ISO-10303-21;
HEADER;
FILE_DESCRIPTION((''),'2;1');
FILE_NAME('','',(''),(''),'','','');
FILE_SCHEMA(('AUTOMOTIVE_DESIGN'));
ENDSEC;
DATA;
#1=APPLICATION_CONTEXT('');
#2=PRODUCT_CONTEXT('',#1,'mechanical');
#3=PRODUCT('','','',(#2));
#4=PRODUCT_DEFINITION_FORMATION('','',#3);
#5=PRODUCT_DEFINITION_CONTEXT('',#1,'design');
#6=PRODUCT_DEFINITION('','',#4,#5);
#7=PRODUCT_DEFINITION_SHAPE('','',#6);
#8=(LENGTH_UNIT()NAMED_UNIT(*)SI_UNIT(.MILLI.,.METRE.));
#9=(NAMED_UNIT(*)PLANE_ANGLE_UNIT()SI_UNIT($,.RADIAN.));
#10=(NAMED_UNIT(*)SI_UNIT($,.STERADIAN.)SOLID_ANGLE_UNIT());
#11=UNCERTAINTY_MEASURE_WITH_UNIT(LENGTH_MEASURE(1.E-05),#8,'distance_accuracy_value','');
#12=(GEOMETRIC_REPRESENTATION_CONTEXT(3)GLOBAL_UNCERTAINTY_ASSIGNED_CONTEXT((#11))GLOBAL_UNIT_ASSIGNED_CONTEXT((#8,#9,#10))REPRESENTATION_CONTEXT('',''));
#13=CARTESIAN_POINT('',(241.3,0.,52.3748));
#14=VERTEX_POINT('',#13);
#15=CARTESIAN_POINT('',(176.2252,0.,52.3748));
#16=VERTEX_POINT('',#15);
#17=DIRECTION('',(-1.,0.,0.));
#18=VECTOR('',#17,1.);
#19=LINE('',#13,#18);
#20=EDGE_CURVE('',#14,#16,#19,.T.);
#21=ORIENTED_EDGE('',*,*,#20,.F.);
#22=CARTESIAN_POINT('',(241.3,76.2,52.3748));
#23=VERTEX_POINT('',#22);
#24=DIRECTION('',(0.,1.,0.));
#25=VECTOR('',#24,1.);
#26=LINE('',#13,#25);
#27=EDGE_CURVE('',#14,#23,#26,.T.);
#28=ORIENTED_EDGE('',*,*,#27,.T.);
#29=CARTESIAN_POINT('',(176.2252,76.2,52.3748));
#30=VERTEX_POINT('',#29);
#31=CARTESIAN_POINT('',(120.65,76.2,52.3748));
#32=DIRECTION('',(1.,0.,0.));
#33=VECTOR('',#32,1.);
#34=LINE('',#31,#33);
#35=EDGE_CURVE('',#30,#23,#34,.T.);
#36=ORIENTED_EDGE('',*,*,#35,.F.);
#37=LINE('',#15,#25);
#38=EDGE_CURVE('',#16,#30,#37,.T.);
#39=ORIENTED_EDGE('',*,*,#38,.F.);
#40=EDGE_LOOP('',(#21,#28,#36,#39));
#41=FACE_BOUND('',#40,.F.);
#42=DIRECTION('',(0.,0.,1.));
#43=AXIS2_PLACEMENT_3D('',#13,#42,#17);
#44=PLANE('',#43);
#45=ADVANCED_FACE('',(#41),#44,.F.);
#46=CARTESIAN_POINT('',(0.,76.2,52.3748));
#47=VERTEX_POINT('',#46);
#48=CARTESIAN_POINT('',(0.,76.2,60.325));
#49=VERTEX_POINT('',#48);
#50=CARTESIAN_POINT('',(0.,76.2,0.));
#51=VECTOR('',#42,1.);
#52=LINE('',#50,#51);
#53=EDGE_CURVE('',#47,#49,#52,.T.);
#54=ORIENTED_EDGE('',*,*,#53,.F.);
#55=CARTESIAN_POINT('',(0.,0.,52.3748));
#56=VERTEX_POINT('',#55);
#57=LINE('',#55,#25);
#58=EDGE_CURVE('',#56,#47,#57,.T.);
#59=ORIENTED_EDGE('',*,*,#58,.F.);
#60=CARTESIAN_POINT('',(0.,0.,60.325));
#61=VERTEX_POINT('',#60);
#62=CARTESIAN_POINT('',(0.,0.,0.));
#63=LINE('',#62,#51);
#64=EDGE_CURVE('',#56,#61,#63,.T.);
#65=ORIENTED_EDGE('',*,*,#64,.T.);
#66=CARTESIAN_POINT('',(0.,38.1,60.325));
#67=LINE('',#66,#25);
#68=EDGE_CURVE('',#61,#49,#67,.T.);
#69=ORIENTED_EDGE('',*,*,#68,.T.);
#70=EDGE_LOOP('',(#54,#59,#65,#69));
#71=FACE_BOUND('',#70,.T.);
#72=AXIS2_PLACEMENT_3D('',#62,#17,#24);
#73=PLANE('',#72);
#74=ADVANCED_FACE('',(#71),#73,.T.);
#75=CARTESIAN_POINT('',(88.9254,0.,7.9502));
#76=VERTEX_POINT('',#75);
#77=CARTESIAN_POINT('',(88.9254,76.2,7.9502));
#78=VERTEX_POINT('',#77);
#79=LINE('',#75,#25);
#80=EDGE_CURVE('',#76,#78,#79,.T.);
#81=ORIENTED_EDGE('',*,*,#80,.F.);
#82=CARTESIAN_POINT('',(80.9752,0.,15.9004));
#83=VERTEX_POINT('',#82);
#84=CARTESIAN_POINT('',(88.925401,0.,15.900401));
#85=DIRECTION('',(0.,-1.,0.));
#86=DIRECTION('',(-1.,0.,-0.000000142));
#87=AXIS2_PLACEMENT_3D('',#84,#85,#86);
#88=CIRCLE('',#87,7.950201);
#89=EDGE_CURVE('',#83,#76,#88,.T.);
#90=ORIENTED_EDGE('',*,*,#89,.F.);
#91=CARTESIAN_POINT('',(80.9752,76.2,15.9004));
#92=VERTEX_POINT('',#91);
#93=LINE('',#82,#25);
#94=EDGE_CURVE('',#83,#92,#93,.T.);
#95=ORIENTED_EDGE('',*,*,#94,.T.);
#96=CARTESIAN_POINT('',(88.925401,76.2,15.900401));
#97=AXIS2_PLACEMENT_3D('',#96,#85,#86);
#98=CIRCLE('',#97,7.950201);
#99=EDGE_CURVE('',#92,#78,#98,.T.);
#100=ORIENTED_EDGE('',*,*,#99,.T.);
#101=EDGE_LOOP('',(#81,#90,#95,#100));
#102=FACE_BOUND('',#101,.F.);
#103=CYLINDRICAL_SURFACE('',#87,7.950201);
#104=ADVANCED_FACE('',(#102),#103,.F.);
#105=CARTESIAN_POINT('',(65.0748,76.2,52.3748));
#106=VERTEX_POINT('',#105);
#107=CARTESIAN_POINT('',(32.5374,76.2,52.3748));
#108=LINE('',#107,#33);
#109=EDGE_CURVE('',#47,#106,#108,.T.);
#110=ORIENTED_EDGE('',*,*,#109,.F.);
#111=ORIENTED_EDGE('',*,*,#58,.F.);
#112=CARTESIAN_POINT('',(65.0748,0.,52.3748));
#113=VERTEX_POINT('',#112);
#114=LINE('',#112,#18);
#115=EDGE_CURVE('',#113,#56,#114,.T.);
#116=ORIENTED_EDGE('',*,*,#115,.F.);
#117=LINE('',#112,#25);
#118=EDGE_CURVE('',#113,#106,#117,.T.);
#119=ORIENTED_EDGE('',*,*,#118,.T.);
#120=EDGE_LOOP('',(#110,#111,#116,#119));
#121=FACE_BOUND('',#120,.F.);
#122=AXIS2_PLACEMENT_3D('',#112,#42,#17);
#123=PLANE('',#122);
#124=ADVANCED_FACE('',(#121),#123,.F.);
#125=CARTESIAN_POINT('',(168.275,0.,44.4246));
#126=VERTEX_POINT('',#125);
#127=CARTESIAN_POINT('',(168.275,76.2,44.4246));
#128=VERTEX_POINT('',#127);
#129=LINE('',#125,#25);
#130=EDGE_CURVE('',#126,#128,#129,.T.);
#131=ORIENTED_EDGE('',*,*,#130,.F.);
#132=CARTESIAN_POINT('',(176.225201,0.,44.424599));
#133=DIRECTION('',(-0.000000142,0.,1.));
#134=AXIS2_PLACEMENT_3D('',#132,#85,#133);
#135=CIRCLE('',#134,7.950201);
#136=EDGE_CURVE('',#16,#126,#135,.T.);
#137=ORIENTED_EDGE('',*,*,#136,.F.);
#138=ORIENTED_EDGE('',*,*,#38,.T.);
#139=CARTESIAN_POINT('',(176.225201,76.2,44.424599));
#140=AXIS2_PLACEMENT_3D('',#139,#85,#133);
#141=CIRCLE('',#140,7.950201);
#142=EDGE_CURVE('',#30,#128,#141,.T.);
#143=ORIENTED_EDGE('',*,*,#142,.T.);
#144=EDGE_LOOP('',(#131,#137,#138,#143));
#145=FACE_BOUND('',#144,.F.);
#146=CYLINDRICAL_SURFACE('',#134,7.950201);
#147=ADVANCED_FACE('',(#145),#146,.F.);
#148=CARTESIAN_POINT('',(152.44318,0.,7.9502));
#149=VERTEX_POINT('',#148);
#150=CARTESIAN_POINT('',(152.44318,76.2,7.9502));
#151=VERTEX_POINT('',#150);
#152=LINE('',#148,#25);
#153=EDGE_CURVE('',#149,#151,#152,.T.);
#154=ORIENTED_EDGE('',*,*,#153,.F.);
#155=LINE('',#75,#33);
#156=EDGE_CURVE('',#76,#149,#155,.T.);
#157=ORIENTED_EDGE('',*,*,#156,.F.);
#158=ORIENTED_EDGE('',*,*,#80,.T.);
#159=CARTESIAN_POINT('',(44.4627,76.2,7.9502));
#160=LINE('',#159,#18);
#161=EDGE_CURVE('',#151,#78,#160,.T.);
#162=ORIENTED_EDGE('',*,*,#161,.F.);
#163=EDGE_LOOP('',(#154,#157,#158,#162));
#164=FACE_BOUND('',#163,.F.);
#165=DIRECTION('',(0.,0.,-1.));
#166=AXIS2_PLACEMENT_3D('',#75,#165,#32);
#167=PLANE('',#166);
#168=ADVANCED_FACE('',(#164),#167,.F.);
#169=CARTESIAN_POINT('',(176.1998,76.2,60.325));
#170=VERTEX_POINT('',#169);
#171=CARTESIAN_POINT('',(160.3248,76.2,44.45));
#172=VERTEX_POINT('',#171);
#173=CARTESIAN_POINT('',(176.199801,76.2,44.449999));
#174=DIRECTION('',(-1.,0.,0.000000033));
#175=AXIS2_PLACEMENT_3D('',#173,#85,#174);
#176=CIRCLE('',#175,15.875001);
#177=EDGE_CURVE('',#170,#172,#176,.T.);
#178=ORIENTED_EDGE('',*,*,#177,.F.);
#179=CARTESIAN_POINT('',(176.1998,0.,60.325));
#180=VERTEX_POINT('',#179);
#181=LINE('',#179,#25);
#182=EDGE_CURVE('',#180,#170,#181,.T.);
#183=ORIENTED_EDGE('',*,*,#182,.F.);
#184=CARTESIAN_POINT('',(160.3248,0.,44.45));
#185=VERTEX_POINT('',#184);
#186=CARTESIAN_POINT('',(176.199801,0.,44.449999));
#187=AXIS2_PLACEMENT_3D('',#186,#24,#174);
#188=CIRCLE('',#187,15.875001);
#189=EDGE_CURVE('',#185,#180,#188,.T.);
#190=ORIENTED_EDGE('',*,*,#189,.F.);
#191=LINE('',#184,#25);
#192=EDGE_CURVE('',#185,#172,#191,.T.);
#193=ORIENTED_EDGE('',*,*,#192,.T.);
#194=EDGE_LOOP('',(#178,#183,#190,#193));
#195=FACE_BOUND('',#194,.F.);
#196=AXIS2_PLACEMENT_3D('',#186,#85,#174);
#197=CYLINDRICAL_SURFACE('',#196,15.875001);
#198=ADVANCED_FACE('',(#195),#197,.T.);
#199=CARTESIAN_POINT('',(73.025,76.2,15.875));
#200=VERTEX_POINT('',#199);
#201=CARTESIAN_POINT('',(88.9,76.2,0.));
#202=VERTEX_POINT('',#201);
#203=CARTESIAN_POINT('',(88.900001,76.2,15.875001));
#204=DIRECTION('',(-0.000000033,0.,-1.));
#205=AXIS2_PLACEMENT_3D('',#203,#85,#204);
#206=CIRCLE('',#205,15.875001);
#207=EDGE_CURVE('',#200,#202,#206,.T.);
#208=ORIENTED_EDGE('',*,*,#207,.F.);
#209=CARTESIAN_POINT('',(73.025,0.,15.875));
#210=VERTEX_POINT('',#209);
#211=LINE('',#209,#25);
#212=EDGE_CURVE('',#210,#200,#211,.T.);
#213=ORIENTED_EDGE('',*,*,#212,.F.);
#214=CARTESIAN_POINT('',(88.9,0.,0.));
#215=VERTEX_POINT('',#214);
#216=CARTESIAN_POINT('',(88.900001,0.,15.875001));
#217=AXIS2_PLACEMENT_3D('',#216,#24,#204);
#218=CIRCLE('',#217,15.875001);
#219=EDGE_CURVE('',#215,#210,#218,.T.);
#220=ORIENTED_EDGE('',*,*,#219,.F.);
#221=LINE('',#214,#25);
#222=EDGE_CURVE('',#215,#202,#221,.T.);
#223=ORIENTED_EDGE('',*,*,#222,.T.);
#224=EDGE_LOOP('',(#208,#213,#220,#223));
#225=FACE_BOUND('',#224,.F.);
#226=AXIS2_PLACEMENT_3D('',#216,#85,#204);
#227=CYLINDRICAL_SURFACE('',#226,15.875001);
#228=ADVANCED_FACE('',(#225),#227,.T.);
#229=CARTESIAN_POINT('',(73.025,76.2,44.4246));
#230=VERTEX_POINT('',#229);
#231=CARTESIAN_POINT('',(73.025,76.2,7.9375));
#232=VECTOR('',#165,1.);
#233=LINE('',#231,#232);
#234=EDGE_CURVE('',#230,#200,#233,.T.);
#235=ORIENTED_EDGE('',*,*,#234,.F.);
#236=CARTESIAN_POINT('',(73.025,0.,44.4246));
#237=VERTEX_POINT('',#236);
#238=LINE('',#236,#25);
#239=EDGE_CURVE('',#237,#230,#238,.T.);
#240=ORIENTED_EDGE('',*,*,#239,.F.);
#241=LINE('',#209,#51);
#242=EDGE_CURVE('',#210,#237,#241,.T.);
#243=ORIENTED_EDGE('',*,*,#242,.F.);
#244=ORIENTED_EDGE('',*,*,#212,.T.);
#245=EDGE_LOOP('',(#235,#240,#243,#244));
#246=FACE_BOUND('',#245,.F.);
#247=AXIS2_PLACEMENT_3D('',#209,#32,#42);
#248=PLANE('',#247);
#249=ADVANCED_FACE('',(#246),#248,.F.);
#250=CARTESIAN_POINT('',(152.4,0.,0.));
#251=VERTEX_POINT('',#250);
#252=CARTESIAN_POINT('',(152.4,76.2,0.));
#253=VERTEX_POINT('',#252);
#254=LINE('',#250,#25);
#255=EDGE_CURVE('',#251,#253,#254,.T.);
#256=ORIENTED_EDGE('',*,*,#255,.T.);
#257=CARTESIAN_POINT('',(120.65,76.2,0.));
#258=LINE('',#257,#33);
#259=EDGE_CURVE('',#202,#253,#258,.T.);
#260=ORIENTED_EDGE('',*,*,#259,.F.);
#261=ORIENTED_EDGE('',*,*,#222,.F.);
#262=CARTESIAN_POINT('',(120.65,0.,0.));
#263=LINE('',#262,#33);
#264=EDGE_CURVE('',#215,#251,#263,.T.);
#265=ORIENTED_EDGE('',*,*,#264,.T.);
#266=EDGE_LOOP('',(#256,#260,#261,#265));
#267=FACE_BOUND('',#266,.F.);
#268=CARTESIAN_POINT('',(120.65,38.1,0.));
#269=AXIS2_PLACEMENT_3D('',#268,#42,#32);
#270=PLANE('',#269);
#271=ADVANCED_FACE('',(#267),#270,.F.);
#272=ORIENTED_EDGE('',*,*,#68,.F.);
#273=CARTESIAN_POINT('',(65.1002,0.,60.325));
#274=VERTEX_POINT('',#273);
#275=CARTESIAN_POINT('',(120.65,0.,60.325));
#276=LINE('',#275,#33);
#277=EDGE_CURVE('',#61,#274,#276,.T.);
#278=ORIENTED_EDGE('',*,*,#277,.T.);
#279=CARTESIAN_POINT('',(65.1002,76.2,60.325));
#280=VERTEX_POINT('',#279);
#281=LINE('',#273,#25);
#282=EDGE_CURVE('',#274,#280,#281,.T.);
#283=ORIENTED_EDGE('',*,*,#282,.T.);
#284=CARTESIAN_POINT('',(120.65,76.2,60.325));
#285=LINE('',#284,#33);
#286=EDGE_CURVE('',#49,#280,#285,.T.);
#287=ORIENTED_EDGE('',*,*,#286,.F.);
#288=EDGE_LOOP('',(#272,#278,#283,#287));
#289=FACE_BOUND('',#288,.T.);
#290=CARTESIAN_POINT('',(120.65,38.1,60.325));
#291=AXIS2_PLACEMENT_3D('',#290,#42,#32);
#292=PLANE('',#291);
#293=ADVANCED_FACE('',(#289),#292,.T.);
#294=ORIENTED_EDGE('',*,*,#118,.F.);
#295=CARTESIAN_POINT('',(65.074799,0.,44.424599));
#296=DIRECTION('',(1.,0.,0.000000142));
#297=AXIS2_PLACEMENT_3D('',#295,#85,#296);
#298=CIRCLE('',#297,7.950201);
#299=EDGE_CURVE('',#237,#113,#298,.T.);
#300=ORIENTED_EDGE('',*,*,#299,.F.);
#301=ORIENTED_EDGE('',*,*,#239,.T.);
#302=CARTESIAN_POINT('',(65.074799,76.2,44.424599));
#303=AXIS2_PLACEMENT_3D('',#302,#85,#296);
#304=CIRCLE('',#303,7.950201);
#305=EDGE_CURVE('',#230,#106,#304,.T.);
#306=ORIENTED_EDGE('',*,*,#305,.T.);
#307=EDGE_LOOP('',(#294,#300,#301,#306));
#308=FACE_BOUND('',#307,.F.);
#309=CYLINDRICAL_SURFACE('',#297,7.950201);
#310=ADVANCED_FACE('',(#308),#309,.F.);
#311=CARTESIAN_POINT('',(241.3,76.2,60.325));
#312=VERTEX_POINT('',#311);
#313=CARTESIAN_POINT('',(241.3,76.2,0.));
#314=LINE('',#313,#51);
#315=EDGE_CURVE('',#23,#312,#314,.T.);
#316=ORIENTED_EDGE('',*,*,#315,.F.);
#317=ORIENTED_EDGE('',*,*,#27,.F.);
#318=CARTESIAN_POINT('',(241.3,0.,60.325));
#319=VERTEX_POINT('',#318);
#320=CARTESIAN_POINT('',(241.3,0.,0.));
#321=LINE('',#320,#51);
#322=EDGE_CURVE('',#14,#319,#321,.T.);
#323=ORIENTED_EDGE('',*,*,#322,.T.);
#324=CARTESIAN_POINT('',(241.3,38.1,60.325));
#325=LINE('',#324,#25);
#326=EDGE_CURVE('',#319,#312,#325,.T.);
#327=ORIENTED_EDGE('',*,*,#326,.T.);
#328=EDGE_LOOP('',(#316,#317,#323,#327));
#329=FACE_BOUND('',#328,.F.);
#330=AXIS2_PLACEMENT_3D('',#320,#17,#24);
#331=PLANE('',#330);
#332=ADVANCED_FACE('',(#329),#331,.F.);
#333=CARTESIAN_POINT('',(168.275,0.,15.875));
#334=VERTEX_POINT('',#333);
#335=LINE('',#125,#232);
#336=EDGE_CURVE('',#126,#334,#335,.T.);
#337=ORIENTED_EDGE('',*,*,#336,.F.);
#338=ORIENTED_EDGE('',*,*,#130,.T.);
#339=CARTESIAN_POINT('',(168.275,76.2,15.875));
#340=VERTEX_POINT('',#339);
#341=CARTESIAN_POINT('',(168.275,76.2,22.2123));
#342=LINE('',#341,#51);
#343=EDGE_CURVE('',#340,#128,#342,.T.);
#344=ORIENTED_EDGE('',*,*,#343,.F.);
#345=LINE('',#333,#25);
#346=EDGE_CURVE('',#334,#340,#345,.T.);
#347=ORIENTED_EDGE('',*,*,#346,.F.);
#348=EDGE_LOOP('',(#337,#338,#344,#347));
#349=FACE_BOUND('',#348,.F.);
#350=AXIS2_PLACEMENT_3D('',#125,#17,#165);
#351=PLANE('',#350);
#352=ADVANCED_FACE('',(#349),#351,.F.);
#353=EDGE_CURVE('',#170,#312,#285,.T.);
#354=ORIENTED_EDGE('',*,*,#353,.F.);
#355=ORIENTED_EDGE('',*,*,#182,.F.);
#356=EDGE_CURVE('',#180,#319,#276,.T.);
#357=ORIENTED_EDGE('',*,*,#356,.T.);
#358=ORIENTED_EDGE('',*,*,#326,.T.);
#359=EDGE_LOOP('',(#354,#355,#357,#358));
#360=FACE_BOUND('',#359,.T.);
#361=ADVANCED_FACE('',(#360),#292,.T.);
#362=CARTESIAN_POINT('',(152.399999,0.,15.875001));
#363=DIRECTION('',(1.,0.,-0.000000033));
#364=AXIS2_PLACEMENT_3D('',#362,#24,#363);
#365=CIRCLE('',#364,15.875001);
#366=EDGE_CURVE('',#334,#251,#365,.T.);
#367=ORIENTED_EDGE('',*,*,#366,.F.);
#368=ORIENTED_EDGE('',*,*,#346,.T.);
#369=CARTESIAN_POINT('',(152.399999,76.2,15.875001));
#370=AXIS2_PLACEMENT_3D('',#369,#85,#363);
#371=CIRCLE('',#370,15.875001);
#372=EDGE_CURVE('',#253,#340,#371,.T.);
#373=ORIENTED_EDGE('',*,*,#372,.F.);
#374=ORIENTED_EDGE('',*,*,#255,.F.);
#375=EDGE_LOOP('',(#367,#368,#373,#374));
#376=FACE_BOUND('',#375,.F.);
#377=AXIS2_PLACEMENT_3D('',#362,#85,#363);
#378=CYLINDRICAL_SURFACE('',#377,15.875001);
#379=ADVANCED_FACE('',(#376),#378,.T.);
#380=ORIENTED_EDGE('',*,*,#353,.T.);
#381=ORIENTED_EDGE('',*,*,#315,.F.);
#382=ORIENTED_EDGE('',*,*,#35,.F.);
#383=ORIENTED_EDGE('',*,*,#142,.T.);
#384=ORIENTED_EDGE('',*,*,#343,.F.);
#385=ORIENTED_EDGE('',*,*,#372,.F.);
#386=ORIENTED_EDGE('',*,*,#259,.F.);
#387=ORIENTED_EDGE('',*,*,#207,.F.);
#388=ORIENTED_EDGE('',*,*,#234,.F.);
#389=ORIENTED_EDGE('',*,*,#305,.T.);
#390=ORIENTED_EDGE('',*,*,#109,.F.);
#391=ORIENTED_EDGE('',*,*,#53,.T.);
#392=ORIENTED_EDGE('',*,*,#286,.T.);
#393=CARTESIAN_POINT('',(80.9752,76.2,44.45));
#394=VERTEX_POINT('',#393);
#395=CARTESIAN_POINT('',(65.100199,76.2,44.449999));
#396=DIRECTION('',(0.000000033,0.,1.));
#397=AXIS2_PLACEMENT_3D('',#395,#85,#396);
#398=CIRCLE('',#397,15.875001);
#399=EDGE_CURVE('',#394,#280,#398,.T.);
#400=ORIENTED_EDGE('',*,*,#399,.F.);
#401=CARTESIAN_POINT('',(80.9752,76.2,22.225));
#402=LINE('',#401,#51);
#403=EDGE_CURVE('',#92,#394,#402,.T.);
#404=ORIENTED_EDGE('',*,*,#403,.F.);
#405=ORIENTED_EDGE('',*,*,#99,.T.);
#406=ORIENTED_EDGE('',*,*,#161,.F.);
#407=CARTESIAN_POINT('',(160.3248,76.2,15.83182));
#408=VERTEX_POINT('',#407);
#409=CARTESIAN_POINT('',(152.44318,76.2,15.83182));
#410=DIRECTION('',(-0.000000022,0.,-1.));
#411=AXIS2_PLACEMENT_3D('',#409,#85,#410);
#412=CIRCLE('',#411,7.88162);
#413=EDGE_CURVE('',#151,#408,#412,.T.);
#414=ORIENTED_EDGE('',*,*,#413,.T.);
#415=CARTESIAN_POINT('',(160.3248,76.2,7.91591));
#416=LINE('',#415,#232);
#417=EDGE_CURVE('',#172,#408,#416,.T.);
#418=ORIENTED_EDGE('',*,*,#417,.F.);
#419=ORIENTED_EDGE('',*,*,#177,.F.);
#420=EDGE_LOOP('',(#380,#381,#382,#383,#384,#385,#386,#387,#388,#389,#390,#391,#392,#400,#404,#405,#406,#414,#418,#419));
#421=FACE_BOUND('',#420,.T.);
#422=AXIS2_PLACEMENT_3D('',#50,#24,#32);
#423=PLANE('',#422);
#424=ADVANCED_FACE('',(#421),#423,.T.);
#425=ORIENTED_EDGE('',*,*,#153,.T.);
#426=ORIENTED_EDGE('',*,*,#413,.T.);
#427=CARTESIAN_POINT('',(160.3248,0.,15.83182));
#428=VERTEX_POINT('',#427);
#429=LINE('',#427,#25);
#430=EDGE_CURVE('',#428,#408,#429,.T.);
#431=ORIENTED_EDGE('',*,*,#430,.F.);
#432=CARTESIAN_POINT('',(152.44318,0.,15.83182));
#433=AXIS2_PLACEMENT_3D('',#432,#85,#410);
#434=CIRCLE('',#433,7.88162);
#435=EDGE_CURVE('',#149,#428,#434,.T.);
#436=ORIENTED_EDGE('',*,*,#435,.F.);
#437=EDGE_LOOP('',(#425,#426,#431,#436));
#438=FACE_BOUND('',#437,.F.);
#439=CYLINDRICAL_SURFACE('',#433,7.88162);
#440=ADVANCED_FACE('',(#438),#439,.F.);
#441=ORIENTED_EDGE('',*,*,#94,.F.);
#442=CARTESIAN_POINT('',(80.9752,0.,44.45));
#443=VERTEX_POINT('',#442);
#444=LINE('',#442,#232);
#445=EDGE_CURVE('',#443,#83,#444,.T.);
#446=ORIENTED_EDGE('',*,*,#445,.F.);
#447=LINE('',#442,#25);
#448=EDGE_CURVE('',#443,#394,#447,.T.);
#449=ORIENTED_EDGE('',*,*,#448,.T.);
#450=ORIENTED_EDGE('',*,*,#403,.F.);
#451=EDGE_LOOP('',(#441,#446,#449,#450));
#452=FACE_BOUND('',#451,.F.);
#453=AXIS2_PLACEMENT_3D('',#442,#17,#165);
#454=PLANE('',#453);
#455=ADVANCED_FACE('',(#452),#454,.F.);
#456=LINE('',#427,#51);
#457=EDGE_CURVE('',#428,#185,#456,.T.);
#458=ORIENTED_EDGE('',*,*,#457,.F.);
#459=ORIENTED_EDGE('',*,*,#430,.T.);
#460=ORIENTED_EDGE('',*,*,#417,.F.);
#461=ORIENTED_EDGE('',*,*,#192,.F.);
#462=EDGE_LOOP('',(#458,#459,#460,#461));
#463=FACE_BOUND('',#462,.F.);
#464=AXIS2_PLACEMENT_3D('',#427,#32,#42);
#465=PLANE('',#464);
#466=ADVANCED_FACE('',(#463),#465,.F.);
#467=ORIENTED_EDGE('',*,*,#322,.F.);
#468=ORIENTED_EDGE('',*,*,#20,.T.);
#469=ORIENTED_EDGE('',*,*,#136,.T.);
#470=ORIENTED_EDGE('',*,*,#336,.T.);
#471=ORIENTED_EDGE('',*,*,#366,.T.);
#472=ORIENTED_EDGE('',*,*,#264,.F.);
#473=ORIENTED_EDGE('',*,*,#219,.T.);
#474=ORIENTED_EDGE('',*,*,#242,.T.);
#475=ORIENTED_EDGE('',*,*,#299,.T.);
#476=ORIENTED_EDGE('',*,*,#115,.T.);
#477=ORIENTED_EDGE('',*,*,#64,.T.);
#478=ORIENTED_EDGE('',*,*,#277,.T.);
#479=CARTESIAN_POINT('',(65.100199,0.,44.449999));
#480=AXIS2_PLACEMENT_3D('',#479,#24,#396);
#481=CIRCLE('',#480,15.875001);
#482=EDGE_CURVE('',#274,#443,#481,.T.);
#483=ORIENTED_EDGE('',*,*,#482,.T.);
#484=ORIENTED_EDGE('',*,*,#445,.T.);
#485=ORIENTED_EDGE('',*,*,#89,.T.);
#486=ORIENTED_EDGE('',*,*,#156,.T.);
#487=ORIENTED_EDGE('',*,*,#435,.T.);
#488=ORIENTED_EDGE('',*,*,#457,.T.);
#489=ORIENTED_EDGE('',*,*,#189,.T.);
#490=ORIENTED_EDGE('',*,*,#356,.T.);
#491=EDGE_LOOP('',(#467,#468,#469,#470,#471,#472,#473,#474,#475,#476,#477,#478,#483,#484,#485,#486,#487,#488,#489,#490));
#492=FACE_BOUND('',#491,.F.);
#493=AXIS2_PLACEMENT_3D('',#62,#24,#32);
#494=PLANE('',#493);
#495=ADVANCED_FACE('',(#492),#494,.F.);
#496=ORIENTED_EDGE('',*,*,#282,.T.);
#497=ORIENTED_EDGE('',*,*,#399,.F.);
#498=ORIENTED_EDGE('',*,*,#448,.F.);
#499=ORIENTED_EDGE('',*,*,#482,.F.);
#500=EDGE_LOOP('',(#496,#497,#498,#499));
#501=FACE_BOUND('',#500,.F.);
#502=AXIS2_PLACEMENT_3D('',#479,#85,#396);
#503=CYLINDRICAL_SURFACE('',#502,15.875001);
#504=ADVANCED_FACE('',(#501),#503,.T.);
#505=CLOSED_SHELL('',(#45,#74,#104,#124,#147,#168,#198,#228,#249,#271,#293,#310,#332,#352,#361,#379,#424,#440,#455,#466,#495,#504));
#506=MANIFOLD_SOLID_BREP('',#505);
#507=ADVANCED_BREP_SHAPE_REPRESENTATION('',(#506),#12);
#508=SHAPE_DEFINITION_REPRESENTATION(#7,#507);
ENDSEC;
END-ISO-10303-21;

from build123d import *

# Parameters (mm, degrees)
F0_W     = 241.3
F0_H     = 76.2
F1_DEPTH = 60.325
F3_DEPTH = 76.201


with BuildPart() as f1:
    # F0 (on Top) → F1 (new body)
    with BuildSketch(Plane.XY):
        with Locations((120.65, 38.1)):
            Rectangle(F0_W, F0_H)
    extrude(amount=F1_DEPTH)

    # F2 (on Front) → F3 (cut, through all)
    with BuildSketch(Plane.XZ):
        with BuildLine():
            Line((65.0748, 52.3748), (0, 52.3748))
            Line((0, 52.3748), (0, 0))
            Line((0, 0), (88.9, 0))
            ThreePointArc((88.9, 0), (77.67468, 4.64968), (73.025, 15.875))
            Line((73.025, 15.875), (73.025, 44.4246))
            ThreePointArc((73.025, 44.4246), (70.69644, 50.04624), (65.0748, 52.3748))
        make_face()
        with BuildLine():
            Line((176.1998, 60.325), (65.1002, 60.325))
            ThreePointArc((65.1002, 60.325), (76.32552, 55.67532), (80.9752, 44.45))
            Line((80.9752, 44.45), (80.9752, 15.9004))
            ThreePointArc((80.9752, 15.9004), (83.30376, 10.27876), (88.9254, 7.9502))
            Line((88.9254, 7.9502), (152.44318, 7.9502))
            ThreePointArc((152.44318, 7.9502), (158.016327, 10.258673), (160.3248, 15.83182))
            Line((160.3248, 15.83182), (160.3248, 44.45))
            ThreePointArc((160.3248, 44.45), (164.97448, 55.67532), (176.1998, 60.325))
        make_face()
        with BuildLine():
            ThreePointArc((168.275, 15.875), (163.62532, 4.64968), (152.4, 0))
            Line((152.4, 0), (241.3, 0))
            Line((241.3, 0), (241.3, 52.3748))
            Line((241.3, 52.3748), (176.2252, 52.3748))
            ThreePointArc((176.2252, 52.3748), (170.60356, 50.04624), (168.275, 44.4246))
            Line((168.275, 44.4246), (168.275, 15.875))
        make_face()
    extrude(amount=-F3_DEPTH, mode=Mode.SUBTRACT)


solid = f1.part
